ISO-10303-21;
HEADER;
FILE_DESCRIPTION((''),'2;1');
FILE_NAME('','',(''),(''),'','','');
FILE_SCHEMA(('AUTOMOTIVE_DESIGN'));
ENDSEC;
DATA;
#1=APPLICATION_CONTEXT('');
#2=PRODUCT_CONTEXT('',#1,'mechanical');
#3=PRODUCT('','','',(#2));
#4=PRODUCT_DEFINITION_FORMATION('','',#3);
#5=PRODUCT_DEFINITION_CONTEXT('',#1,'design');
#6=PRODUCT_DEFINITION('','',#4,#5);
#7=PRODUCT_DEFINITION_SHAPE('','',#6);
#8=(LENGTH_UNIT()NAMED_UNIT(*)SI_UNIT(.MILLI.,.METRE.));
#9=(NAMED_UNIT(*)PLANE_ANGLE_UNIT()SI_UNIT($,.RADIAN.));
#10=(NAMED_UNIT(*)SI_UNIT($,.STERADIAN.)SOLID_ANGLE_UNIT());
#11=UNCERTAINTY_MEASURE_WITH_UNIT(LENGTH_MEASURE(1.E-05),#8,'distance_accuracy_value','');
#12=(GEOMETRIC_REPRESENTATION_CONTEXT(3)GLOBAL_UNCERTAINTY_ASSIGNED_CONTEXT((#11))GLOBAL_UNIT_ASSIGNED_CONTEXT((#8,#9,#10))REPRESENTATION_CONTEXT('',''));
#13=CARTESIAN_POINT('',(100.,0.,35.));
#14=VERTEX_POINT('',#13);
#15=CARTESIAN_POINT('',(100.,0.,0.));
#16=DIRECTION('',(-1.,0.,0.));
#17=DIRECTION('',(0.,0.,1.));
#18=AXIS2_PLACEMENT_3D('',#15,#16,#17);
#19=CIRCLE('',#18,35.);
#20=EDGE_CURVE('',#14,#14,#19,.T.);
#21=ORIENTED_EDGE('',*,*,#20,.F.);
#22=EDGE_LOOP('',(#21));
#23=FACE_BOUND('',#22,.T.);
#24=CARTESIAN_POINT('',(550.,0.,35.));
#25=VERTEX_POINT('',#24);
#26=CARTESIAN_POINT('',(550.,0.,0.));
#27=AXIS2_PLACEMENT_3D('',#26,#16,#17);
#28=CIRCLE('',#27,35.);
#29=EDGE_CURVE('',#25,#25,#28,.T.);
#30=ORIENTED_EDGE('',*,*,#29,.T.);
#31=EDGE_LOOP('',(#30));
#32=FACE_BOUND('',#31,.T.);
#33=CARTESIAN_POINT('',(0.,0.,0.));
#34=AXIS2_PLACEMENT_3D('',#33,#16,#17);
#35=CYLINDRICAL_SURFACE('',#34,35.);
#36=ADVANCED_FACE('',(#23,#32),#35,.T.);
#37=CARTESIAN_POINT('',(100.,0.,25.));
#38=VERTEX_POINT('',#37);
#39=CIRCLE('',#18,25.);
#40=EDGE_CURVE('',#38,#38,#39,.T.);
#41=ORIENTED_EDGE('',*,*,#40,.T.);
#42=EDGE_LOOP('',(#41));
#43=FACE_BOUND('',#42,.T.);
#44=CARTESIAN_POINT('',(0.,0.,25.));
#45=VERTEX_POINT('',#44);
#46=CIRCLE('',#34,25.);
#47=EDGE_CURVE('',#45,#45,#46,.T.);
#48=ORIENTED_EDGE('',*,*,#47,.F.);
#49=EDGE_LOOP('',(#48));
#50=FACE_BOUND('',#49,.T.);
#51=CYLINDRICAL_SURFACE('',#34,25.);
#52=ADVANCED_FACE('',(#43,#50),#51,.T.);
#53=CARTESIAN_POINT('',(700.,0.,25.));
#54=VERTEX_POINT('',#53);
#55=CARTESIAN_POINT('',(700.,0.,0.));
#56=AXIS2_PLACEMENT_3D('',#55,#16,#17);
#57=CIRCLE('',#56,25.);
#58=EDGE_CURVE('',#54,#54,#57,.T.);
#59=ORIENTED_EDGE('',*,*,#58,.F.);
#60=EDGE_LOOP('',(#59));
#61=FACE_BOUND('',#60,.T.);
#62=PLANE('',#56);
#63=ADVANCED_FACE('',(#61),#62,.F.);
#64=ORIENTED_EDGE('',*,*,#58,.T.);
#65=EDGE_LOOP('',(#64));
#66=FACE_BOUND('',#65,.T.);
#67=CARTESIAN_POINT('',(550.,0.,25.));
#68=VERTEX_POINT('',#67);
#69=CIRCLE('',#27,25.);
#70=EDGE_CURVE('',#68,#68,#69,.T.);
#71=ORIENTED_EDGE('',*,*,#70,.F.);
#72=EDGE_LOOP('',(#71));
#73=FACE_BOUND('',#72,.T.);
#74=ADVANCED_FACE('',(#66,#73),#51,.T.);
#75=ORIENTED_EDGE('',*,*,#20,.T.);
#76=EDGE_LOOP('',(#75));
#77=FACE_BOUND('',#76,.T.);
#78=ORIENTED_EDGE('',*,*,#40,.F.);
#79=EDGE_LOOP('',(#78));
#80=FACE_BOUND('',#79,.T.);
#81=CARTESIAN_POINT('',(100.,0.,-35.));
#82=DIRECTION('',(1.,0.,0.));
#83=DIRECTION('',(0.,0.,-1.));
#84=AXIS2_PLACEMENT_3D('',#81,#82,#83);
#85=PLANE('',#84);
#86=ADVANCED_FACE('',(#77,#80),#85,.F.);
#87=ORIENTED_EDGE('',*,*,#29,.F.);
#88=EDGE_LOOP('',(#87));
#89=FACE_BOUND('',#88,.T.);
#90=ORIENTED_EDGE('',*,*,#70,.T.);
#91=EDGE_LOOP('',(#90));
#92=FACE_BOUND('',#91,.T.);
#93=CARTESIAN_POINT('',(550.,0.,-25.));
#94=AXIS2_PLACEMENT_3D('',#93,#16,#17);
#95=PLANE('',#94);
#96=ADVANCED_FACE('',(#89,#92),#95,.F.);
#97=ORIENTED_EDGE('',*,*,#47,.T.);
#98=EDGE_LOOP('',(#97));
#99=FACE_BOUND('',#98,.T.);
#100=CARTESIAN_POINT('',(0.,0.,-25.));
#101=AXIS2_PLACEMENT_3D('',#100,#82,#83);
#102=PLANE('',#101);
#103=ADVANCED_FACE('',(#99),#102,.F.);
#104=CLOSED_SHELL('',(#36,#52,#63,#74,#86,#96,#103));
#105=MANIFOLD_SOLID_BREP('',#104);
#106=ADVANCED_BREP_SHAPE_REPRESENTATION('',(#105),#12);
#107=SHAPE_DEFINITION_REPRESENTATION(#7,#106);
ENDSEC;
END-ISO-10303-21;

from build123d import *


with BuildPart() as part:
    # Sketch1 → Revolve1 (revolve)
    with BuildSketch(Plane(origin=(0, 0, 0), x_dir=(1, 0, 0), z_dir=(0, 1, 0)), mode=Mode.PRIVATE) as revolve1_sk:
        Polygon((0, 0), (700, 0), (700, 25), (550, 25), (550, 35), (100, 35), (100, 25), (0, 25), align=None)
    revolve(revolve1_sk.sketch.rotate(Axis((0, 0, 0), (1, 0, 0)), 180), axis=Axis((0, 0, 0), (1, 0, 0)))


solid = part.part
